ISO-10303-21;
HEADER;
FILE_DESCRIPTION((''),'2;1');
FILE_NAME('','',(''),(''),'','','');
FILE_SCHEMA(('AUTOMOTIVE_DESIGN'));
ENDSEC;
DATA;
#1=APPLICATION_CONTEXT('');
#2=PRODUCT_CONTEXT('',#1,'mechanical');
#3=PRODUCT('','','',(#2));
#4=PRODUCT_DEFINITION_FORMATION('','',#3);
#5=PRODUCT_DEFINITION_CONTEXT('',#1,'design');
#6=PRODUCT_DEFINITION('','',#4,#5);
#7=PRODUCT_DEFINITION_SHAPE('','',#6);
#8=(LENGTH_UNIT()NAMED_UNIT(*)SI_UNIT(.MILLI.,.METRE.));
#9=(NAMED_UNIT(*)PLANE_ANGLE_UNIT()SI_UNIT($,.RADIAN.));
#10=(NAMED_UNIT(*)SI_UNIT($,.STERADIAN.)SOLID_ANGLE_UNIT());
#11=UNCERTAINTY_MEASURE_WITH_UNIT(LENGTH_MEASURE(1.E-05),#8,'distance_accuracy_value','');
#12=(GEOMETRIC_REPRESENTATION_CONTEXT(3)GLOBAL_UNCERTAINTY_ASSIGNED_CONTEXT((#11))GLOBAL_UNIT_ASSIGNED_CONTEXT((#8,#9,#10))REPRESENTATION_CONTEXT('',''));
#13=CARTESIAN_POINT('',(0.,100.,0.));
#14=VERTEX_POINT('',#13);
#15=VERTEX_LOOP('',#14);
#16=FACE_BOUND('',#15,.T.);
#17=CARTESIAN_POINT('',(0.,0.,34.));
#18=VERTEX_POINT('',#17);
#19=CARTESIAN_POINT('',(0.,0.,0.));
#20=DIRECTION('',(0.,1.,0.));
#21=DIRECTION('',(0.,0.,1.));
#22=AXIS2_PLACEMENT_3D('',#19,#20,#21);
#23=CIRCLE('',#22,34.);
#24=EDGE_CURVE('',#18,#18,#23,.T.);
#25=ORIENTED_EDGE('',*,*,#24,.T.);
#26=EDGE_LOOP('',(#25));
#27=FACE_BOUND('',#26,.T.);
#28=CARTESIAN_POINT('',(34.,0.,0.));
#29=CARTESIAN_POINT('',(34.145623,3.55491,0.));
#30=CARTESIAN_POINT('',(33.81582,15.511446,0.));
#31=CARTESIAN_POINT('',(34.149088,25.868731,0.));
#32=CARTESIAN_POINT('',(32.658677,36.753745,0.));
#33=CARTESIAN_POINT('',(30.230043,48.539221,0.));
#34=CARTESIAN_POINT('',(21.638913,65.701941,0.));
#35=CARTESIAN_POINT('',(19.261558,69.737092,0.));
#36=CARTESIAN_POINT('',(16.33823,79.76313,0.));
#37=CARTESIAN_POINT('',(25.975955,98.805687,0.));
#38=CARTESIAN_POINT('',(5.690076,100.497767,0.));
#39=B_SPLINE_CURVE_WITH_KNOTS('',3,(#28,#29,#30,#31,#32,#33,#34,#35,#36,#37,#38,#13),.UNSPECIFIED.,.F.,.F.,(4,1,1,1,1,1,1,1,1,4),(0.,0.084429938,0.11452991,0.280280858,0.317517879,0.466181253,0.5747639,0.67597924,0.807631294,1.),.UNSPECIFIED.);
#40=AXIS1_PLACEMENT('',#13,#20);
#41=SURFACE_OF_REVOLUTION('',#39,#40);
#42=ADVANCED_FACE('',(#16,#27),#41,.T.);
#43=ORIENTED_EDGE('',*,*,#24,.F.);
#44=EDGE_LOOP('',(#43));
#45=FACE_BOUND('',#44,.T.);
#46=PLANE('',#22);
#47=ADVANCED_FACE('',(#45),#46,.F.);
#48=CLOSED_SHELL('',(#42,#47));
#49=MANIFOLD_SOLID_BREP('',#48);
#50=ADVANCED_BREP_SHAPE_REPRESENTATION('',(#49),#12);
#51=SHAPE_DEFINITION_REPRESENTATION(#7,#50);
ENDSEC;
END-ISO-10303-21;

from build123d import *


with BuildPart() as part:
    # Sketch2 → Revolve1 (revolve)
    with BuildSketch(Plane.XY):
        with BuildLine():
            Line((0, 100), (0, 0))
            Line((0, 0), (34, 0))
            add(Edge.make_bspline(
                [(34, 0), (34.145622659, 3.554909936), (33.815820253, 15.511446496), (34.149088373, 25.868730582), (32.658677027, 36.753745172), (30.230043083, 48.539220696), (21.638912965, 65.701940609), (19.261558226, 69.737092288), (16.338229836, 79.763130035), (25.975954918, 98.805686783), (5.690076264, 100.497767161), (0, 100)],
                knots=[0, 0, 0, 0, 0.084429938, 0.11452991, 0.280280858, 0.317517879, 0.466181253, 0.5747639, 0.67597924, 0.807631294, 1, 1, 1, 1], degree=3))
        make_face()
    revolve(axis=Axis((0, 100, 0), (0, -1, 0)))


solid = part.part
